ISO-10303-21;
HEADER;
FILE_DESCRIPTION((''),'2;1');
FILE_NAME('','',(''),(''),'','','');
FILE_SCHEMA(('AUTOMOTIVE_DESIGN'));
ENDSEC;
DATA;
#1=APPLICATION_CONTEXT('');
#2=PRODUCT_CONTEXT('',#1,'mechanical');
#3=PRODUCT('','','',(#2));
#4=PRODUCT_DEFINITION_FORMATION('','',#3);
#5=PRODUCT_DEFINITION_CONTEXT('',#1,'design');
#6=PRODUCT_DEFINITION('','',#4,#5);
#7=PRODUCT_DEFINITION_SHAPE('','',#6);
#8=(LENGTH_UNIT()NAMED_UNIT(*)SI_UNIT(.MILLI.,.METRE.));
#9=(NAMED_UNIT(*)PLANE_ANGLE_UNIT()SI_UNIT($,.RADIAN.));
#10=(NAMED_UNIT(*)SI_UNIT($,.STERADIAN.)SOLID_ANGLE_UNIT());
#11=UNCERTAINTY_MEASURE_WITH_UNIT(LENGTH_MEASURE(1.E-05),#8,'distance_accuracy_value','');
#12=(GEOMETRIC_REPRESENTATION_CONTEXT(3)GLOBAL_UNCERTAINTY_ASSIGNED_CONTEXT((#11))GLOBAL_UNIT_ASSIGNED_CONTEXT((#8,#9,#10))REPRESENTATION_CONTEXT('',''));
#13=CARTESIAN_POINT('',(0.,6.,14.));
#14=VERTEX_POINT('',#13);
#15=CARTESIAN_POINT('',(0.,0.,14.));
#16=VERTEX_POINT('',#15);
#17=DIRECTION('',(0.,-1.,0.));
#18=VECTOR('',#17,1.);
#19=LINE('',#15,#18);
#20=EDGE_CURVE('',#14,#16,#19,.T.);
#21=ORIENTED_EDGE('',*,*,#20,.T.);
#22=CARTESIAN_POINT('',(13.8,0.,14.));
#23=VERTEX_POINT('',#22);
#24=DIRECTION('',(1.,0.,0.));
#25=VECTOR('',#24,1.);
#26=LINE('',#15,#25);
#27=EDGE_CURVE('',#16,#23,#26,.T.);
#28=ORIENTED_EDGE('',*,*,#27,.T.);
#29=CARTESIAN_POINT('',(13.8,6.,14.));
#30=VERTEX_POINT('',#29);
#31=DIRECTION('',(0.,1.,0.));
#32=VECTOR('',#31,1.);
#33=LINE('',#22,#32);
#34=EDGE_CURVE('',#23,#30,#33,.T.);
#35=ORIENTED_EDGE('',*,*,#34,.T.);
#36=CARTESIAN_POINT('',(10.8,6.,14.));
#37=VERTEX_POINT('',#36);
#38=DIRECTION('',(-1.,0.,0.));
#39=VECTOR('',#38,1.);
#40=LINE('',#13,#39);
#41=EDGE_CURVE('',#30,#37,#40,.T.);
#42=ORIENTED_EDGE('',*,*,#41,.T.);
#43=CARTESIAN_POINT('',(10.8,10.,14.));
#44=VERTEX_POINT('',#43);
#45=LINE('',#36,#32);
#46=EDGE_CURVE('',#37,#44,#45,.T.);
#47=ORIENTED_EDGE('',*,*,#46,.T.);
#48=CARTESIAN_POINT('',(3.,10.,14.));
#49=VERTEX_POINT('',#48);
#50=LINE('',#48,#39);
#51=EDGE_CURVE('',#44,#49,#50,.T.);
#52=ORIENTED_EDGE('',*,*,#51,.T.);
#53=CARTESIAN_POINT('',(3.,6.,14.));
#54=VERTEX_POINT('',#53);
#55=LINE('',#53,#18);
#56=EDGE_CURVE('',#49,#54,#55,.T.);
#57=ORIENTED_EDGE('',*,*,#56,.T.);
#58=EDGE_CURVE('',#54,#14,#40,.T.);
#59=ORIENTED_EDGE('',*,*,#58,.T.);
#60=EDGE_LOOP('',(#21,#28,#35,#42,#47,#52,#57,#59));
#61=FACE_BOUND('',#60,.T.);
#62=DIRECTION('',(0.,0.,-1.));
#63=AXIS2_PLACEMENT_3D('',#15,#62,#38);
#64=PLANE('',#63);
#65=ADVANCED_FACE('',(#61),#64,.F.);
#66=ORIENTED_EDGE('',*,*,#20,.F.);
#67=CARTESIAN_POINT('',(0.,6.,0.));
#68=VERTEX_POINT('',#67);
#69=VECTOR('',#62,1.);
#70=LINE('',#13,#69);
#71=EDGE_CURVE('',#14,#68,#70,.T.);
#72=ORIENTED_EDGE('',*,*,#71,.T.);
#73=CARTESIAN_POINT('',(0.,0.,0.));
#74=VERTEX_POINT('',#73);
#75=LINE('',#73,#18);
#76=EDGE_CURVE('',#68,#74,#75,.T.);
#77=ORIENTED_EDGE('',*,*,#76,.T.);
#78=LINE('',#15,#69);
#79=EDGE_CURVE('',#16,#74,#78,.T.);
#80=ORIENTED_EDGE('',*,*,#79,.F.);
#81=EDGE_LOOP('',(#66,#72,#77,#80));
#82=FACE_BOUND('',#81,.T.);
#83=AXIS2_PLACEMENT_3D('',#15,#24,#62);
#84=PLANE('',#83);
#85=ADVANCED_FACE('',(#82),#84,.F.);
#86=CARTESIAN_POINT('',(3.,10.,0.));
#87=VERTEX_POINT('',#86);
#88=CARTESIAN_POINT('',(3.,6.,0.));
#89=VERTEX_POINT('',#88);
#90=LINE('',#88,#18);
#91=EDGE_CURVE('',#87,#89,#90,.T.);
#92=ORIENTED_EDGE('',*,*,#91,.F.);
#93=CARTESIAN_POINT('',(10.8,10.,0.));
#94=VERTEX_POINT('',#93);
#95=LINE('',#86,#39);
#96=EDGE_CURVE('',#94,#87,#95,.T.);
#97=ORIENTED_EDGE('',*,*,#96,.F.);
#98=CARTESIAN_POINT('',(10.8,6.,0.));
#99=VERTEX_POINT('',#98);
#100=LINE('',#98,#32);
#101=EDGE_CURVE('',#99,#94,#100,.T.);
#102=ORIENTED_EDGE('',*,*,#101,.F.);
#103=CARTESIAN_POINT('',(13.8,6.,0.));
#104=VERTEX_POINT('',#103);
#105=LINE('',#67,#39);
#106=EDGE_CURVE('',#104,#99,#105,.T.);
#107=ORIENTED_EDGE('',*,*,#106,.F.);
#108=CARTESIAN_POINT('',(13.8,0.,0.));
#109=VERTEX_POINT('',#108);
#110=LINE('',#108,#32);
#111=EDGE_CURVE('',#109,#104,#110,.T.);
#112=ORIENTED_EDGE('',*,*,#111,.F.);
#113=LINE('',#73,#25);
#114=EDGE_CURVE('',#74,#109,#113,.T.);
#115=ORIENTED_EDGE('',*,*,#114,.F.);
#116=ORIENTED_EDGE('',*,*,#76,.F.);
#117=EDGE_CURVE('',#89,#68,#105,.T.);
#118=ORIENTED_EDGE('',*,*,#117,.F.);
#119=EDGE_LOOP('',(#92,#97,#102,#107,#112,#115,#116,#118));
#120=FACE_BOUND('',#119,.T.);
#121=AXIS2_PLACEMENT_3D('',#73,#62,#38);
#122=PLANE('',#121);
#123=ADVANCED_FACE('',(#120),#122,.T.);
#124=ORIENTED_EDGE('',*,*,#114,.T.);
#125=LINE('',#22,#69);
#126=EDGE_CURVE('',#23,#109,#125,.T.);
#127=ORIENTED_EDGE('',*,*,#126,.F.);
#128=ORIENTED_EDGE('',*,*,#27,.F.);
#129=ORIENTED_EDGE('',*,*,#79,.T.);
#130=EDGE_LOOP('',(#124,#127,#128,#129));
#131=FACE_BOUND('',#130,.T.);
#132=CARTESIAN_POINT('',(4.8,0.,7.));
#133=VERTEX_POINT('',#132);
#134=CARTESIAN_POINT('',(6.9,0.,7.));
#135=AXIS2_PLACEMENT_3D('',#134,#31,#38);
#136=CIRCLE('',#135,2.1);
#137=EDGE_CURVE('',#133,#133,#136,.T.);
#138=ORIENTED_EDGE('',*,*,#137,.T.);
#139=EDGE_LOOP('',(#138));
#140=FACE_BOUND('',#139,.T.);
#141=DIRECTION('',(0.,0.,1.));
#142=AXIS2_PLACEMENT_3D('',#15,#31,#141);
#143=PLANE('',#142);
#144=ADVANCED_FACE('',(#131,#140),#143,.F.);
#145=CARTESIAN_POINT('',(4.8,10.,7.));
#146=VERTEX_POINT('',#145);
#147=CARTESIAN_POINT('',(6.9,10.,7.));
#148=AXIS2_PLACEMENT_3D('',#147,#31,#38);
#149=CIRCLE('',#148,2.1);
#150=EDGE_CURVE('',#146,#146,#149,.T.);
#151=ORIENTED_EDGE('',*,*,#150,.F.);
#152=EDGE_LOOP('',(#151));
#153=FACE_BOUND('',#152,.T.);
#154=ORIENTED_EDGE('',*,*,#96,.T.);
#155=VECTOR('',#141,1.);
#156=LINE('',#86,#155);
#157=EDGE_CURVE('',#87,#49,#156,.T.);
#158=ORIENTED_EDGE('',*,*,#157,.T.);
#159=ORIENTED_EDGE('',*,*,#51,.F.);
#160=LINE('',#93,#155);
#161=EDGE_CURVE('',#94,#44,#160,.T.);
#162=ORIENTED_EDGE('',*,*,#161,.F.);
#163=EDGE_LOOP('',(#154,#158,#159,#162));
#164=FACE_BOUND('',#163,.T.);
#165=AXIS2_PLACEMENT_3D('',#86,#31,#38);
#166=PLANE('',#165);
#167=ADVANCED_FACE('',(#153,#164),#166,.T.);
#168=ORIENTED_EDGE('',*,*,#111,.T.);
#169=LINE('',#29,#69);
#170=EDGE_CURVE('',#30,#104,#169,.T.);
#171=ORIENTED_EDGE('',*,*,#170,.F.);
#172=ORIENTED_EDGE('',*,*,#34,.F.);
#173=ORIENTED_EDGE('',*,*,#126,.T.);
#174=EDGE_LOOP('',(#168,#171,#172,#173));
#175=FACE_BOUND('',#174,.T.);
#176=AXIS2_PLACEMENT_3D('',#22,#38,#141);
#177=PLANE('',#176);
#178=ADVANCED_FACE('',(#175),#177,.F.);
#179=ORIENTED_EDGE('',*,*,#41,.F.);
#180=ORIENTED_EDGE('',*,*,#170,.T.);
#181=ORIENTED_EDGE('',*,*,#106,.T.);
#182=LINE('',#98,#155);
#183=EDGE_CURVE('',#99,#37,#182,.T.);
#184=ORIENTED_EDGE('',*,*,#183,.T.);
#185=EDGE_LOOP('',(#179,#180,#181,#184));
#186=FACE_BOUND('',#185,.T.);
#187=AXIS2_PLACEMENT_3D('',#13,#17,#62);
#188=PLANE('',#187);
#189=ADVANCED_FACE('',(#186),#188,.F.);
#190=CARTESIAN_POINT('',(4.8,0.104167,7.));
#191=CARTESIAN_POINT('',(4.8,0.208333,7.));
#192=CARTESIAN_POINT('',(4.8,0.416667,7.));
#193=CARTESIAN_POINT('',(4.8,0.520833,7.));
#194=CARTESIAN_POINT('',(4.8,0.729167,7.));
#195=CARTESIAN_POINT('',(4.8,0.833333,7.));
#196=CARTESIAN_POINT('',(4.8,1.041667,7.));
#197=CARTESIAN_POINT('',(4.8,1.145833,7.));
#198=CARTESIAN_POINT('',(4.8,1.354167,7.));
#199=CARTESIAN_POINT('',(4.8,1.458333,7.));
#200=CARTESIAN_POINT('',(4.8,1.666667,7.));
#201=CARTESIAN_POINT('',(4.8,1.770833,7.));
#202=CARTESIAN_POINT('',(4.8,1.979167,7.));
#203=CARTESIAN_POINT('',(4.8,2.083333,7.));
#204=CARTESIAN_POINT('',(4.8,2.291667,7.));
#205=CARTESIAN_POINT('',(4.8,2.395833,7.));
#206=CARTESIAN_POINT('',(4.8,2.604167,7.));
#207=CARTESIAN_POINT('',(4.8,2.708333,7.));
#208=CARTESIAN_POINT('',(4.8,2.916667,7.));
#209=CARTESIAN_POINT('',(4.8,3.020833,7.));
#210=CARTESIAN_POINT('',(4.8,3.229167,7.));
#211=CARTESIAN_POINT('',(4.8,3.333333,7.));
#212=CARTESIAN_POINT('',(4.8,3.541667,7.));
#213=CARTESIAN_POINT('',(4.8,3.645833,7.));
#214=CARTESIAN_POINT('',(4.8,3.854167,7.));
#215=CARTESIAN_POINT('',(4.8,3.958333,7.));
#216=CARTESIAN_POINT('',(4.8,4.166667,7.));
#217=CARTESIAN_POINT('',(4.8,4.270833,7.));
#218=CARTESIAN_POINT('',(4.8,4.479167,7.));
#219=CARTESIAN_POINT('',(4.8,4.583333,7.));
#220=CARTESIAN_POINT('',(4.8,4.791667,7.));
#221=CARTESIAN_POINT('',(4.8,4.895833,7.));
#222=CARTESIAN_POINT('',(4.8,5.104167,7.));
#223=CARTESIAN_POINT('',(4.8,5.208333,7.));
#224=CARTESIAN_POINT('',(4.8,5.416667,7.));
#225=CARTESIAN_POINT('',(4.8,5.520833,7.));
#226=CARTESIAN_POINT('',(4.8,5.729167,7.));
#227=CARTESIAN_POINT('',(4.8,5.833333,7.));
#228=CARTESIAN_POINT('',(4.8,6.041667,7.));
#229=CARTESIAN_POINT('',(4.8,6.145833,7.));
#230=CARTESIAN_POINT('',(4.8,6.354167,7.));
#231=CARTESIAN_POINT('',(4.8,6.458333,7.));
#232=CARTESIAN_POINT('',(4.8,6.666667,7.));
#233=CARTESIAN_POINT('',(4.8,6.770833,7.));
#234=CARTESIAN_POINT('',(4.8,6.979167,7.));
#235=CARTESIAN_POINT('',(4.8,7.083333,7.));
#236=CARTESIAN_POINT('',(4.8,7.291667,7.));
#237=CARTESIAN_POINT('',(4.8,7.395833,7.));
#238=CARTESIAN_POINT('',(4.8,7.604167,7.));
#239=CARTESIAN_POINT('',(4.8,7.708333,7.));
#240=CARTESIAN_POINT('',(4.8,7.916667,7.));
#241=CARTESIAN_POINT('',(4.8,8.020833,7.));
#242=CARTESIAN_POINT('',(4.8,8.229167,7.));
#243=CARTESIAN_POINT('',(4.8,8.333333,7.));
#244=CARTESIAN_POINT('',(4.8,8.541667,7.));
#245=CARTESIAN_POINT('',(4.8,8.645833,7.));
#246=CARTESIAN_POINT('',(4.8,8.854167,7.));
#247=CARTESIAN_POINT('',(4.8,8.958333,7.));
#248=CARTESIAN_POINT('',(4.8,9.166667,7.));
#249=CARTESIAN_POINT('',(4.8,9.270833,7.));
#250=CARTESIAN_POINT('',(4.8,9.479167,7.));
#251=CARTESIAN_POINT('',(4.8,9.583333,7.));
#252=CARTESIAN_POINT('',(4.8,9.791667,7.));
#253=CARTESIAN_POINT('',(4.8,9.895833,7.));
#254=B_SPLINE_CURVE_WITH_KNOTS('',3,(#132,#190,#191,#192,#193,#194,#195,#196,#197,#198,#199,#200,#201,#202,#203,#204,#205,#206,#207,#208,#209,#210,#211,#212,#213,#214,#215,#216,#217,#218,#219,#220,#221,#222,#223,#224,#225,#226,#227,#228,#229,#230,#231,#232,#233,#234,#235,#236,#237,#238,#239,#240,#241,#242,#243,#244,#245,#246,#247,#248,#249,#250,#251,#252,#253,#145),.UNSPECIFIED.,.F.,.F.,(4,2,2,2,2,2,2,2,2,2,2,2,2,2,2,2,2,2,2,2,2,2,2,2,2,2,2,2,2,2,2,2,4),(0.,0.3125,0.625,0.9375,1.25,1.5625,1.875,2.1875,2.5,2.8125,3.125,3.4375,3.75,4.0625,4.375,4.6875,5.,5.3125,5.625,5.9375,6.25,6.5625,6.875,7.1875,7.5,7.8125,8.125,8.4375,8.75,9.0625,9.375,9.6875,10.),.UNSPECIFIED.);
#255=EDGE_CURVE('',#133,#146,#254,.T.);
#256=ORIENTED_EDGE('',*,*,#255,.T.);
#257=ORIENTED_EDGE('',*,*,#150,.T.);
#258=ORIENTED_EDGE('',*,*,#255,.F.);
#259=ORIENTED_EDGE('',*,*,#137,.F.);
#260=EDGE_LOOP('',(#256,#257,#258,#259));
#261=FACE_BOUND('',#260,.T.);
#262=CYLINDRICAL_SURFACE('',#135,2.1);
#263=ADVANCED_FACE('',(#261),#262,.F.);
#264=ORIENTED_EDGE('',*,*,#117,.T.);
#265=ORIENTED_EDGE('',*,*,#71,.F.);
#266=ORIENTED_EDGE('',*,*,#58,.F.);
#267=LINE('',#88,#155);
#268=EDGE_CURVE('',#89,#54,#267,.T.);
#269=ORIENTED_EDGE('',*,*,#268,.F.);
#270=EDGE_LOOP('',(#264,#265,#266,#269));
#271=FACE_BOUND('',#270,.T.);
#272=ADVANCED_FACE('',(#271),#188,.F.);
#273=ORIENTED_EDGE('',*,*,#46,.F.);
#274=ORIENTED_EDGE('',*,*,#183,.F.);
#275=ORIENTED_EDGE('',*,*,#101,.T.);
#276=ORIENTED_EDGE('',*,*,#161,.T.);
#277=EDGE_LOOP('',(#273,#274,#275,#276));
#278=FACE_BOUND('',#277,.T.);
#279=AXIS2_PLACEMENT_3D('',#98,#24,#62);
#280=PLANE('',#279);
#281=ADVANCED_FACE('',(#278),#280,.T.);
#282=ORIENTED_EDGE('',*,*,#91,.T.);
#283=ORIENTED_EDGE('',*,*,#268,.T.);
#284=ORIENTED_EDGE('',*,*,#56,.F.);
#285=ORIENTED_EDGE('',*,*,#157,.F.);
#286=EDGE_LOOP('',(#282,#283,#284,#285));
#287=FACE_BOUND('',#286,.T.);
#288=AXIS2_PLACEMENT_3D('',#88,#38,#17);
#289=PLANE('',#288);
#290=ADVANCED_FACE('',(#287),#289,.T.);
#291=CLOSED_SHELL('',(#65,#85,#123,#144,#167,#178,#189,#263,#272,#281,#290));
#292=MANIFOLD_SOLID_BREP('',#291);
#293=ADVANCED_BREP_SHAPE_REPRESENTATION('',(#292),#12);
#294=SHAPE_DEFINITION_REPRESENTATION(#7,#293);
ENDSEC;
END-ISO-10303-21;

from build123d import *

# Parameters (mm, degrees)
ESQUISSE1_W             = 13.8
ESQUISSE1_H             = 6
BOSS_EXTRU_1_DEPTH      = 14
ESQUISSE2_W             = 7.8
ESQUISSE2_H             = 4
BOSS_EXTRU_2_DEPTH      = 14
ESQUISSE3_R             = 2.1
ENL_V_MAT_EXTRU_1_DEPTH = 23.05538483


with BuildPart() as part:
    # Esquisse1 → Boss.-Extru.1 (new body)
    with BuildSketch(Plane.XY):
        with Locations((6.9, 3)):
            Rectangle(ESQUISSE1_W, ESQUISSE1_H)
    extrude(amount=BOSS_EXTRU_1_DEPTH)

    # Esquisse2 → Boss.-Extru.2 (add)
    with BuildSketch(Plane.XY.offset(14)):
        with Locations((6.9, 8)):
            Rectangle(ESQUISSE2_W, ESQUISSE2_H)
    extrude(amount=-BOSS_EXTRU_2_DEPTH)

    # Esquisse3 → Enlèv. mat.-Extru.1 (cut, through all)
    with BuildSketch(Plane(origin=(0, 10, 0), x_dir=(1, 0, 0), z_dir=(0, 1, 0))):
        with Locations(Location((6.9, -7, 0), (0, 0, 180))):
            Circle(ESQUISSE3_R)
    extrude(amount=-ENL_V_MAT_EXTRU_1_DEPTH, mode=Mode.SUBTRACT)


solid = part.part
